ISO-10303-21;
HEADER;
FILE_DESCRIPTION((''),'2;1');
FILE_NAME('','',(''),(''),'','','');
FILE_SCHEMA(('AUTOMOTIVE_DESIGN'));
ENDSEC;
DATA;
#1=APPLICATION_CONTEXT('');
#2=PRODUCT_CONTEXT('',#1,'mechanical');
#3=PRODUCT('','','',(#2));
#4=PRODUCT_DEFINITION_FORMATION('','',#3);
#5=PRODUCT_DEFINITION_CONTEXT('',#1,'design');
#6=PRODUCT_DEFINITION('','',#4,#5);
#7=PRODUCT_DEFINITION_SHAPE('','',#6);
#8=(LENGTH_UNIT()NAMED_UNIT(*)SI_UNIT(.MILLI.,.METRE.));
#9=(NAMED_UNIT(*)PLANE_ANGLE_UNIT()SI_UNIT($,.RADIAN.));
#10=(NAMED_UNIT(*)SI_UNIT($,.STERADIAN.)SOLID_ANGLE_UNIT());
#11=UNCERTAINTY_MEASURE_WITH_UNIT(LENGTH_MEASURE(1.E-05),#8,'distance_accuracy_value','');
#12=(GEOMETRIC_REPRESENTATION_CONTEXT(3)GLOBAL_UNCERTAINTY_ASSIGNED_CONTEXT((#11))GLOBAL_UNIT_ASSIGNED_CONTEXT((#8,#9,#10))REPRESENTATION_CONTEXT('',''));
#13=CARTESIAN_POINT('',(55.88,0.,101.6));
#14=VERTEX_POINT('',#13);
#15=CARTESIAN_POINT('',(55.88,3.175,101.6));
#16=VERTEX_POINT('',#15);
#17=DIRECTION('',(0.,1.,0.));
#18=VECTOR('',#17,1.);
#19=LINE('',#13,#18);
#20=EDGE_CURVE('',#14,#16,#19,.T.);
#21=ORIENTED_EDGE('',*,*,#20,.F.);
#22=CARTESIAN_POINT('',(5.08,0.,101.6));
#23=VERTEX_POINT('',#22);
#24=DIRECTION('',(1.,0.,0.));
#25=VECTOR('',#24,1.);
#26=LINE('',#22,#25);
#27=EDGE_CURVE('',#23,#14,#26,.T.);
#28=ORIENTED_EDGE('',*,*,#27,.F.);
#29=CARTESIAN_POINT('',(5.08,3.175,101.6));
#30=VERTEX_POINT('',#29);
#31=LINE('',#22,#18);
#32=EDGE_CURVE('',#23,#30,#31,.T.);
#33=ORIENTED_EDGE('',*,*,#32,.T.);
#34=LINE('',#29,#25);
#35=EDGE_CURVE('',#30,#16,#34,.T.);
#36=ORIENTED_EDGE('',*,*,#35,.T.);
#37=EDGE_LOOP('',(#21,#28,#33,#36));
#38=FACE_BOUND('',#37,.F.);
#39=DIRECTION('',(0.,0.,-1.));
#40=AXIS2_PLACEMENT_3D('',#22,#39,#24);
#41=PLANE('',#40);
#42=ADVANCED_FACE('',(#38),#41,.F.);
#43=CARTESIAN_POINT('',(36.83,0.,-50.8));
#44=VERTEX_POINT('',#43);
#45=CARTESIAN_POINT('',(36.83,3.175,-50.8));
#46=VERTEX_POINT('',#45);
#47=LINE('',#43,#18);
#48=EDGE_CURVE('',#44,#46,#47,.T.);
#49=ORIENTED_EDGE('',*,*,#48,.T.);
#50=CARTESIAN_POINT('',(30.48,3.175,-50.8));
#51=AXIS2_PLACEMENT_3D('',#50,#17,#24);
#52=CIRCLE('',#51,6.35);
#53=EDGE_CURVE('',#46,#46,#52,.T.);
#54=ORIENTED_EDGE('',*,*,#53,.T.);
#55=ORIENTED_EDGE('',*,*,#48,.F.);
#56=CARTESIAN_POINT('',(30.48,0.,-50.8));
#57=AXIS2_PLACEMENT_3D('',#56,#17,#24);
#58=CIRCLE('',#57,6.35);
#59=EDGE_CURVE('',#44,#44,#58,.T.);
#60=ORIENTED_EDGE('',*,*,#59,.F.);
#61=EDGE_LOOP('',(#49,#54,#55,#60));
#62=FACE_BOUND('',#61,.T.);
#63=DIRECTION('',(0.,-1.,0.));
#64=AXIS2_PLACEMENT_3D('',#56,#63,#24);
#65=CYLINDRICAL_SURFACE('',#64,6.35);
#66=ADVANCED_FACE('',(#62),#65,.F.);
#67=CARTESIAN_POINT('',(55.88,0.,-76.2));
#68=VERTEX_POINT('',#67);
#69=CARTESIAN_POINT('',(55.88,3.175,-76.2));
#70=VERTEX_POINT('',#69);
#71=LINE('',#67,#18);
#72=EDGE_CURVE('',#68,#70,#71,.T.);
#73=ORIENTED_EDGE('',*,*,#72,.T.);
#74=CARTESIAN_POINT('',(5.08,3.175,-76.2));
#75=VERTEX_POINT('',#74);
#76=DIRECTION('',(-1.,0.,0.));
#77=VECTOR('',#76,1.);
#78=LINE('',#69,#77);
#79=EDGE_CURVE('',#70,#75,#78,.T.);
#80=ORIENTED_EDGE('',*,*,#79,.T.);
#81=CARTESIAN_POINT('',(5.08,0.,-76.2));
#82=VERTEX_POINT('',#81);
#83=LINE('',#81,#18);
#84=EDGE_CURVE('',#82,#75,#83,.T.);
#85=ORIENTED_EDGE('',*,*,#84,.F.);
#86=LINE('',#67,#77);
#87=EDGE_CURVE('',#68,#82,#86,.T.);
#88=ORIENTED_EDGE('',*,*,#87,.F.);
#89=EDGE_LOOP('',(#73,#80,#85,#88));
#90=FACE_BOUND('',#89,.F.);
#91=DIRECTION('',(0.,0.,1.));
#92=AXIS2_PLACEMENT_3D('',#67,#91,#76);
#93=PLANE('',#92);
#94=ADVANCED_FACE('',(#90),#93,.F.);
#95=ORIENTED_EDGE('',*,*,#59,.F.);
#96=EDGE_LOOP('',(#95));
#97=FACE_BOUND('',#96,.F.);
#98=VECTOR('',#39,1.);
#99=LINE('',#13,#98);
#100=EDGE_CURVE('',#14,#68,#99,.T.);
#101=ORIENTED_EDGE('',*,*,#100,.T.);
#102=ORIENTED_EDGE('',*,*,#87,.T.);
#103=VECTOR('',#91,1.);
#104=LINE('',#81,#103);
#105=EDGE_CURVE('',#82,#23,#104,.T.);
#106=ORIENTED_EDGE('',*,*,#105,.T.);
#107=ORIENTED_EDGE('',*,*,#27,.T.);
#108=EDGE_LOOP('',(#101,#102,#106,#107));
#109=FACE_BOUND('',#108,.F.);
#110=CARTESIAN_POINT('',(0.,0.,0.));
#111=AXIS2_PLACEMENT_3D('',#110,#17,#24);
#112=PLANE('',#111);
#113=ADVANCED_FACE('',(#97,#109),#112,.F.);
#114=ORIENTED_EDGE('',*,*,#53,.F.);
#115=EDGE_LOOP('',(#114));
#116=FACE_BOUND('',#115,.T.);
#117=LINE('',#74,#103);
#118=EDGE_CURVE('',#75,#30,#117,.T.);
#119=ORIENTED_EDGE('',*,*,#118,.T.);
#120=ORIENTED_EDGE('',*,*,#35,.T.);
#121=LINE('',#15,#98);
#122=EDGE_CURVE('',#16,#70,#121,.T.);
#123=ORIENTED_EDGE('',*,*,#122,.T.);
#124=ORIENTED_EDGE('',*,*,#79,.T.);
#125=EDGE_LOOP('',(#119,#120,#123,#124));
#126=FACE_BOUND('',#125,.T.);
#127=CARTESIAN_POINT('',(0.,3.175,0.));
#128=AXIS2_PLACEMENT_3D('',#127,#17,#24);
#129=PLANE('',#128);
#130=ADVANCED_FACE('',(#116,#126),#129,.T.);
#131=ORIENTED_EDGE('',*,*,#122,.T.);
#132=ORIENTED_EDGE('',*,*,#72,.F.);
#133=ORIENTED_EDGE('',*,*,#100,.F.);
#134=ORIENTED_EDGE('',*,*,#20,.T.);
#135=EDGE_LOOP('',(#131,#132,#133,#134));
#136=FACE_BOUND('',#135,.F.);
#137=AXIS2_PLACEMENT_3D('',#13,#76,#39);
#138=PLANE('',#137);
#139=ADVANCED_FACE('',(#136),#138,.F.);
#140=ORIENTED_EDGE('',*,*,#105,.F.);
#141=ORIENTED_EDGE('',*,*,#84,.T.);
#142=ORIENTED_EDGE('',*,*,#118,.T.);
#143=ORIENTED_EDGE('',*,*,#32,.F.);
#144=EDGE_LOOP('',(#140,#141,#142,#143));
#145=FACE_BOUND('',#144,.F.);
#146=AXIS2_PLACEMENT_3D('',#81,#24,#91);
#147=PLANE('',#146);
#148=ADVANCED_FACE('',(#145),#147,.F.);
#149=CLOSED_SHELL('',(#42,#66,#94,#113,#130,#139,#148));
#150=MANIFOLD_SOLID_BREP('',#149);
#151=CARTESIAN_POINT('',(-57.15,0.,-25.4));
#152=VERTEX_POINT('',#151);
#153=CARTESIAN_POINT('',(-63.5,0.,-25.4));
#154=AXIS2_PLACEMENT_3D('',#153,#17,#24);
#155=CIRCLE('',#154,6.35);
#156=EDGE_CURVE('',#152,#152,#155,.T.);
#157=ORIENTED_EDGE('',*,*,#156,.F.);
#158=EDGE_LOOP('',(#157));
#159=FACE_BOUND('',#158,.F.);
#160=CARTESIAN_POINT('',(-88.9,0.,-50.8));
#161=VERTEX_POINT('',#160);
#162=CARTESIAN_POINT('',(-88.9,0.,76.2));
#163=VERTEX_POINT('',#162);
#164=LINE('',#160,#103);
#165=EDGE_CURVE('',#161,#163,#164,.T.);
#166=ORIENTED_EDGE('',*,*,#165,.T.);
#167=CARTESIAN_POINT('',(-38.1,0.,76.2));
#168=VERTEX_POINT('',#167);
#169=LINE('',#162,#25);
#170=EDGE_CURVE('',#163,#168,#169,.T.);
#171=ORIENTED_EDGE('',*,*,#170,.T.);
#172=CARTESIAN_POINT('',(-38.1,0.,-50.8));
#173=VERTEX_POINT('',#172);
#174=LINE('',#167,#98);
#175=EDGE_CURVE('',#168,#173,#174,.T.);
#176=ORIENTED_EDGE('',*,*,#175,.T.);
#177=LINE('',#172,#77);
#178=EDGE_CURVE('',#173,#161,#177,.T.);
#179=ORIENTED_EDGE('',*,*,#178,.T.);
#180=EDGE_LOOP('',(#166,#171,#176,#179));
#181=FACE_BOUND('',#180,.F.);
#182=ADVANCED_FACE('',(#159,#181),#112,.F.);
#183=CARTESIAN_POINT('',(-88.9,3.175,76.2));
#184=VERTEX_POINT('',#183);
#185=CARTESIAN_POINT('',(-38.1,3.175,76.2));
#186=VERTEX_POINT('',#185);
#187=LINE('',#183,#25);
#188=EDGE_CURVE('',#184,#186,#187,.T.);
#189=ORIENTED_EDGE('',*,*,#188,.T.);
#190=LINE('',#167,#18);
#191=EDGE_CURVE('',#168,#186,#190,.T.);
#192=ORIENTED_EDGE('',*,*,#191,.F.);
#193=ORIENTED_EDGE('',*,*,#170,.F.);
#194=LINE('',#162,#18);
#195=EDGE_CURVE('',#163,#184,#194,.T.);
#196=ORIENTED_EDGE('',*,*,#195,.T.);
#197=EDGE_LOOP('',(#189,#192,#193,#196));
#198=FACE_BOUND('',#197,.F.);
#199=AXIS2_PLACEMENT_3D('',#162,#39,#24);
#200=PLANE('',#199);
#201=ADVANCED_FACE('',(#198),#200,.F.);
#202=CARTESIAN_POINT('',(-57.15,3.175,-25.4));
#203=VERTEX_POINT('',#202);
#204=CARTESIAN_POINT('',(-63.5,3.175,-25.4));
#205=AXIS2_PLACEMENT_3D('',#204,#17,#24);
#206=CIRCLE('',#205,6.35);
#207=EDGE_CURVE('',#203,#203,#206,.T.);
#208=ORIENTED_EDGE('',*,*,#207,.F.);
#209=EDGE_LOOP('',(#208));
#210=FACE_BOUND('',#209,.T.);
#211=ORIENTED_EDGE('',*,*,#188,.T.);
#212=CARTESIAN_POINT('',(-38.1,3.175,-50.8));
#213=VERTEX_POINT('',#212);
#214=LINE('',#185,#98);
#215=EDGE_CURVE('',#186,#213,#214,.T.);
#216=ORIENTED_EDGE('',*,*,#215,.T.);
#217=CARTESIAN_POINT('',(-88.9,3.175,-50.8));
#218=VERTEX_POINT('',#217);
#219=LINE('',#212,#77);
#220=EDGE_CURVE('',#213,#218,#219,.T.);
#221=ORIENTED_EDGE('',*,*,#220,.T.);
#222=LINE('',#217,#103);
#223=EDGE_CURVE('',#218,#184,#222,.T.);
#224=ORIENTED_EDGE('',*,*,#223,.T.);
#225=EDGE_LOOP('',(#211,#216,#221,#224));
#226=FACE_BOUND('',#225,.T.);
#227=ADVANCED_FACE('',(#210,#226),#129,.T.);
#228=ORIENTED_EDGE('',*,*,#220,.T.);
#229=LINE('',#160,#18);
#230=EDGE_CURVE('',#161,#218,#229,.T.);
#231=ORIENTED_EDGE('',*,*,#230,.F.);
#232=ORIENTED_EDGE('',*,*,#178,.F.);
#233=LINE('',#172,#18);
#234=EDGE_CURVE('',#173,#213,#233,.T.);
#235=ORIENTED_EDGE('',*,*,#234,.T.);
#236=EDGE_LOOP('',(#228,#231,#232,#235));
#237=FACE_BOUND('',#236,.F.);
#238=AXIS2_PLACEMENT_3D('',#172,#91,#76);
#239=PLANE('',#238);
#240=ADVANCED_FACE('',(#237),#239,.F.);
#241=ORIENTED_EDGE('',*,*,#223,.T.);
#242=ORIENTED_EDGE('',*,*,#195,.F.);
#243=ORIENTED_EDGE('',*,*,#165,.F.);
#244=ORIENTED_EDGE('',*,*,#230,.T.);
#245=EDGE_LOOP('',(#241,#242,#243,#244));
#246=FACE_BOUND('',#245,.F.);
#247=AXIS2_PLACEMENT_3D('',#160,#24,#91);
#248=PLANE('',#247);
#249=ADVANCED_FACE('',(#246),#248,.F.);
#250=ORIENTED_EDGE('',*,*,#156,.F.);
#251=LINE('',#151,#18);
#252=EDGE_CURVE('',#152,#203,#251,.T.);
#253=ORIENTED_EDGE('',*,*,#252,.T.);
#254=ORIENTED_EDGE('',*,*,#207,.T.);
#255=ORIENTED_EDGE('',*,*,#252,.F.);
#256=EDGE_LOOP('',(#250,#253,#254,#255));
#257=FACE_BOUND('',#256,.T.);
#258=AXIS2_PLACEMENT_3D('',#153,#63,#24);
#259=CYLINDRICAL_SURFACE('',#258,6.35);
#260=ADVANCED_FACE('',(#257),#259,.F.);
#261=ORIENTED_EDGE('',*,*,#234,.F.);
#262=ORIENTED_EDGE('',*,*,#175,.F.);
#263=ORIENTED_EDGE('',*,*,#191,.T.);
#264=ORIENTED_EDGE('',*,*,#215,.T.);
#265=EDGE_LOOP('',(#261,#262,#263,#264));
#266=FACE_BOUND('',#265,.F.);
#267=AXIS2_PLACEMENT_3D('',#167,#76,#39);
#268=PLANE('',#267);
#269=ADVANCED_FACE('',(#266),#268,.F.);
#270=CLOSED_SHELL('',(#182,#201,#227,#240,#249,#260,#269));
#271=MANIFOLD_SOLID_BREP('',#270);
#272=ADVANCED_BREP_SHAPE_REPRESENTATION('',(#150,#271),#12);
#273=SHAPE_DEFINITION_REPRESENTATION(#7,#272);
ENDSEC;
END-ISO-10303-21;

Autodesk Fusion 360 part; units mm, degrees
sketch "Sketch1" plane through (0, 0, 0) normal (0, 1, 0) x (1, 0, 0)
  line L0 (-38.1, 50.8) -> (-88.9, 50.8)
  line L1 (-88.9, 50.8) -> (-88.9, -76.2)
  line L2 (-88.9, -76.2) -> (-38.1, -76.2)
  line L3 (-38.1, -76.2) -> (-38.1, 50.8)
  line L4 (55.88, 76.2) -> (5.08, 76.2)
  line L5 (5.08, 76.2) -> (5.08, -101.6)
  line L6 (5.08, -101.6) -> (55.88, -101.6)
  line L7 (55.88, -101.6) -> (55.88, 76.2)
  line L8 (-63.5, 50.8) -> (-63.5, 25.4) construction
  line L9 (30.48, 76.2) -> (30.48, 50.8) construction
  circle A0 centre (-63.5, 25.4) radius 6.35
  circle A1 centre (30.48, 50.8) radius 6.35
  point P0 (-63.5, 0)
  point P1 (30.48, 0)
  dimension "d1" = 50.8
  dimension "d2" = 127
  dimension "d3" = 50.8
  dimension "d4" = 177.8
extrude "Extrude1" add sketch "Sketch1" along normal blind 3.175 makes body 1 at (-63.3418, 0, 44.4441) makes body 2 at (30.6382, 0, 52.9107)
copy_body "Body->Comp1" bodies 1 removing the originals makes body 3 in component "Small Top Anvil Mount"
copy_body "Body->Comp2" bodies 2 removing the originals makes body 4 in component "Tall Top Anvil Mount"
component "Small Top Anvil Mount" placed x (1, 0, 0) y (0, 1, 0) z (0, 0, 1) at (0, 0, 0)
component "Tall Top Anvil Mount" placed x (1, 0, 0) y (0, 1, 0) z (0, 0, 1) at (0, 0, 0)
equation "d9 = ( 1 / 8 ) * 1 in"
